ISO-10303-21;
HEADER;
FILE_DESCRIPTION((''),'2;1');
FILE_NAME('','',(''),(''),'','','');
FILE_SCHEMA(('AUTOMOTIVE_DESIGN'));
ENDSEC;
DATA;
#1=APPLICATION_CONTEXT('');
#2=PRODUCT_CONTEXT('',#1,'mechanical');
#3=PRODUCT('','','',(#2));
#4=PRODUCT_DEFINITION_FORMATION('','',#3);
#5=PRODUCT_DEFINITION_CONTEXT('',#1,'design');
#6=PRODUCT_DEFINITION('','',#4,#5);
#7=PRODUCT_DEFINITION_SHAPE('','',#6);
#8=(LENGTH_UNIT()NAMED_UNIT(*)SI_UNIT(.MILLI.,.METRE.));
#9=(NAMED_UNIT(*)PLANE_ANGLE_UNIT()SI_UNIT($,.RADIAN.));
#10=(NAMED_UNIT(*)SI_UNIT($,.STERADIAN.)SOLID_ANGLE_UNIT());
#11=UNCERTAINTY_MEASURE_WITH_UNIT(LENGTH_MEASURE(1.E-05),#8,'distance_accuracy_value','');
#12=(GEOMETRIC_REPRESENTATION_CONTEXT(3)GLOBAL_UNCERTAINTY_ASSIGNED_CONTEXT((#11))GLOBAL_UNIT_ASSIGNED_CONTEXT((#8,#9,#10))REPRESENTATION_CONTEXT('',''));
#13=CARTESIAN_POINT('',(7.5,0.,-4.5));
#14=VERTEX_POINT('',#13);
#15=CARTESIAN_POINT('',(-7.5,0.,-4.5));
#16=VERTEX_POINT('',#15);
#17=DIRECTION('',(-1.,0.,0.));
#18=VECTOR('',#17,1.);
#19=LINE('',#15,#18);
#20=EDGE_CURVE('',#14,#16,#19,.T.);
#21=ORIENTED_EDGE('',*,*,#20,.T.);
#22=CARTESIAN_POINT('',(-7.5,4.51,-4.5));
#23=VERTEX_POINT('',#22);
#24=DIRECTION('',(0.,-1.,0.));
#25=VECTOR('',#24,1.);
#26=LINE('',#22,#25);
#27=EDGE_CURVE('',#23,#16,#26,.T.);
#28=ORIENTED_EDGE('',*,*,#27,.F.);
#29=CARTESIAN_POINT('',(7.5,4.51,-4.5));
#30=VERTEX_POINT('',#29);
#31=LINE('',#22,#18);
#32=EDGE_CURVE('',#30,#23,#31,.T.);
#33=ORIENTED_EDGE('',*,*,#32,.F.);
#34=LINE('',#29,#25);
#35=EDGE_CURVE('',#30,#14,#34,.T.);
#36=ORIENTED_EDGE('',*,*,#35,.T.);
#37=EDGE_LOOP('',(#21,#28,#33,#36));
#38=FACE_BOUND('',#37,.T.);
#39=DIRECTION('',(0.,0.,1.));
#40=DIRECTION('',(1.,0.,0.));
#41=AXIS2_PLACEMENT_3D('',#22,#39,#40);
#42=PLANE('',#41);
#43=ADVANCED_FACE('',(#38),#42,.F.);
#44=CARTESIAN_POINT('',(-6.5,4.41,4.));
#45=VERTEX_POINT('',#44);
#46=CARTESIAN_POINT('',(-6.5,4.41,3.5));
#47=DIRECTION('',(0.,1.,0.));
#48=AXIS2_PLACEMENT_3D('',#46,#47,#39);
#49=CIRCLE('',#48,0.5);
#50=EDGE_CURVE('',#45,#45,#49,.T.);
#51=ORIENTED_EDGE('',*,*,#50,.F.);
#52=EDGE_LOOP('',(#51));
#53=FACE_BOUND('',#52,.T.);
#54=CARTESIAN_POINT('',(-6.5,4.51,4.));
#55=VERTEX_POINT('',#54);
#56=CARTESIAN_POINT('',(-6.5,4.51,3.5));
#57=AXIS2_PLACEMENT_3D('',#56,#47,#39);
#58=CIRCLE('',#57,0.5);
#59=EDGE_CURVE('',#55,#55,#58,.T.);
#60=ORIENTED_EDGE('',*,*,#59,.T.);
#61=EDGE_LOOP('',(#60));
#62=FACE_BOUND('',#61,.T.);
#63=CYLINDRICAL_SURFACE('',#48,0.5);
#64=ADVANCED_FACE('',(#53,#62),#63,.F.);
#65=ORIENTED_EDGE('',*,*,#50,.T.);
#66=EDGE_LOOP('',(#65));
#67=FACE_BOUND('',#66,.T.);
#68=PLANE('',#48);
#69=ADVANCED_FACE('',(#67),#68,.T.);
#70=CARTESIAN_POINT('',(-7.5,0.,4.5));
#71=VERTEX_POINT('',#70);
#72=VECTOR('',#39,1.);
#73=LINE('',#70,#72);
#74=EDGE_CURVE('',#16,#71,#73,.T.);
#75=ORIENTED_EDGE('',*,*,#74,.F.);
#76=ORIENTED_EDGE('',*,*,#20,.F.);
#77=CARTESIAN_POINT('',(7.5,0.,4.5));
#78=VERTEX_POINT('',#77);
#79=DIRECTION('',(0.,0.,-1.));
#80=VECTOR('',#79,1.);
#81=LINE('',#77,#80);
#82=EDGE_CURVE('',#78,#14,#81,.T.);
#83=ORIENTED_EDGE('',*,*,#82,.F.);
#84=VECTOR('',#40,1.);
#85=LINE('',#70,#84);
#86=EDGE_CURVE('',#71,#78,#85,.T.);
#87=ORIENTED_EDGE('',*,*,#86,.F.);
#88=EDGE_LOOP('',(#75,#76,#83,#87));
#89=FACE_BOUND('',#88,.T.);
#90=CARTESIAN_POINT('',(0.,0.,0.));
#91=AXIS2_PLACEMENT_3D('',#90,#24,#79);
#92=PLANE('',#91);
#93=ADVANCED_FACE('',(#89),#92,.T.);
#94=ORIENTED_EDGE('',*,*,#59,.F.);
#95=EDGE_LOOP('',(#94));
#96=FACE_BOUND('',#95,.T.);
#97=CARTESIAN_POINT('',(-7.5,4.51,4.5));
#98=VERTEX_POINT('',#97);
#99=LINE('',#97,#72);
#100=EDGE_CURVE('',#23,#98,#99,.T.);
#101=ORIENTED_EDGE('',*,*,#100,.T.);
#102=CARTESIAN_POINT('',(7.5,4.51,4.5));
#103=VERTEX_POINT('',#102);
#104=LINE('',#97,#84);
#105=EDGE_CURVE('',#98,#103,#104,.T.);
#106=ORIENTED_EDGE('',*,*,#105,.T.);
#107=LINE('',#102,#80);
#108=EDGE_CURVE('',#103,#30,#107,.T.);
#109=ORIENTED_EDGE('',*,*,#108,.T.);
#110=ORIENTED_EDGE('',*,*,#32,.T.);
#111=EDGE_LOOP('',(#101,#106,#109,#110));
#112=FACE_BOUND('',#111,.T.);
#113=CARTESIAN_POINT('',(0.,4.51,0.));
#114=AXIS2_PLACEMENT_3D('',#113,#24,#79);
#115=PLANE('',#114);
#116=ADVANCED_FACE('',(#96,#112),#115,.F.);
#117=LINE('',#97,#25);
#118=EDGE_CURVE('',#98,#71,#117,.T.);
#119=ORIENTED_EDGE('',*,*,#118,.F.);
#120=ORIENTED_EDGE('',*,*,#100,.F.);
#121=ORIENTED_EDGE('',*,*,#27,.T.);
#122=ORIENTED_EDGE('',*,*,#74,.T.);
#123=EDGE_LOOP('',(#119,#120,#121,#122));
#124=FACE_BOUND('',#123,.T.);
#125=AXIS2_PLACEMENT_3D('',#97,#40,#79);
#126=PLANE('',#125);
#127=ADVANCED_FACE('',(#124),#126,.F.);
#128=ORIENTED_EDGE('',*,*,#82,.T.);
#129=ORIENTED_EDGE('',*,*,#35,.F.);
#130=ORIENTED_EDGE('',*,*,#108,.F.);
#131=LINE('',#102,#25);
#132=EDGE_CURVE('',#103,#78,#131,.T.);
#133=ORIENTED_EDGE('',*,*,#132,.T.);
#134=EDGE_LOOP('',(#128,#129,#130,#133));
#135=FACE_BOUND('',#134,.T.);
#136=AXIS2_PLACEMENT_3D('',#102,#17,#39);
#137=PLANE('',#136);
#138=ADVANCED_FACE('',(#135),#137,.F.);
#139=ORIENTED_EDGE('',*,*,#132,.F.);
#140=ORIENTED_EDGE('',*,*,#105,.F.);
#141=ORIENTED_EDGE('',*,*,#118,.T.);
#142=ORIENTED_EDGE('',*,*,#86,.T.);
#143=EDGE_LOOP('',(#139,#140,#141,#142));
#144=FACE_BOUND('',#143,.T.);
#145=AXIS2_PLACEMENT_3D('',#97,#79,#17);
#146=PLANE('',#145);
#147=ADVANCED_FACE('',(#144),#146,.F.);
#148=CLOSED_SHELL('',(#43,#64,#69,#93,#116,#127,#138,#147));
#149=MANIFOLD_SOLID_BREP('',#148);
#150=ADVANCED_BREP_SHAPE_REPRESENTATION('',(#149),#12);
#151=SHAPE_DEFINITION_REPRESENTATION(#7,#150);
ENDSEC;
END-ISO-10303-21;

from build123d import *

# Parameters (mm, degrees)
SKETCH1_W           = 15
SKETCH1_H           = 9
BOSS_EXTRUDE1_DEPTH = 4.51
SKETCH2_R           = 0.5
CUT_EXTRUDE1_DEPTH  = 0.1


with BuildPart() as part:
    # Sketch1 → Boss-Extrude1 (new body)
    with BuildSketch(Plane(origin=(0, 0, 0), x_dir=(1, 0, 0), z_dir=(0, 1, 0))):
        Rectangle(SKETCH1_W, SKETCH1_H)
    extrude(amount=BOSS_EXTRUDE1_DEPTH)

    # Sketch2 → Cut-Extrude1 (cut)
    with BuildSketch(Plane(origin=(0, 4.51, 0), x_dir=(1, 0, 0), z_dir=(0, 1, 0))):
        with Locations((-6.5, -3.5)):
            Circle(SKETCH2_R)
    extrude(amount=-CUT_EXTRUDE1_DEPTH, mode=Mode.SUBTRACT)


solid = part.part
